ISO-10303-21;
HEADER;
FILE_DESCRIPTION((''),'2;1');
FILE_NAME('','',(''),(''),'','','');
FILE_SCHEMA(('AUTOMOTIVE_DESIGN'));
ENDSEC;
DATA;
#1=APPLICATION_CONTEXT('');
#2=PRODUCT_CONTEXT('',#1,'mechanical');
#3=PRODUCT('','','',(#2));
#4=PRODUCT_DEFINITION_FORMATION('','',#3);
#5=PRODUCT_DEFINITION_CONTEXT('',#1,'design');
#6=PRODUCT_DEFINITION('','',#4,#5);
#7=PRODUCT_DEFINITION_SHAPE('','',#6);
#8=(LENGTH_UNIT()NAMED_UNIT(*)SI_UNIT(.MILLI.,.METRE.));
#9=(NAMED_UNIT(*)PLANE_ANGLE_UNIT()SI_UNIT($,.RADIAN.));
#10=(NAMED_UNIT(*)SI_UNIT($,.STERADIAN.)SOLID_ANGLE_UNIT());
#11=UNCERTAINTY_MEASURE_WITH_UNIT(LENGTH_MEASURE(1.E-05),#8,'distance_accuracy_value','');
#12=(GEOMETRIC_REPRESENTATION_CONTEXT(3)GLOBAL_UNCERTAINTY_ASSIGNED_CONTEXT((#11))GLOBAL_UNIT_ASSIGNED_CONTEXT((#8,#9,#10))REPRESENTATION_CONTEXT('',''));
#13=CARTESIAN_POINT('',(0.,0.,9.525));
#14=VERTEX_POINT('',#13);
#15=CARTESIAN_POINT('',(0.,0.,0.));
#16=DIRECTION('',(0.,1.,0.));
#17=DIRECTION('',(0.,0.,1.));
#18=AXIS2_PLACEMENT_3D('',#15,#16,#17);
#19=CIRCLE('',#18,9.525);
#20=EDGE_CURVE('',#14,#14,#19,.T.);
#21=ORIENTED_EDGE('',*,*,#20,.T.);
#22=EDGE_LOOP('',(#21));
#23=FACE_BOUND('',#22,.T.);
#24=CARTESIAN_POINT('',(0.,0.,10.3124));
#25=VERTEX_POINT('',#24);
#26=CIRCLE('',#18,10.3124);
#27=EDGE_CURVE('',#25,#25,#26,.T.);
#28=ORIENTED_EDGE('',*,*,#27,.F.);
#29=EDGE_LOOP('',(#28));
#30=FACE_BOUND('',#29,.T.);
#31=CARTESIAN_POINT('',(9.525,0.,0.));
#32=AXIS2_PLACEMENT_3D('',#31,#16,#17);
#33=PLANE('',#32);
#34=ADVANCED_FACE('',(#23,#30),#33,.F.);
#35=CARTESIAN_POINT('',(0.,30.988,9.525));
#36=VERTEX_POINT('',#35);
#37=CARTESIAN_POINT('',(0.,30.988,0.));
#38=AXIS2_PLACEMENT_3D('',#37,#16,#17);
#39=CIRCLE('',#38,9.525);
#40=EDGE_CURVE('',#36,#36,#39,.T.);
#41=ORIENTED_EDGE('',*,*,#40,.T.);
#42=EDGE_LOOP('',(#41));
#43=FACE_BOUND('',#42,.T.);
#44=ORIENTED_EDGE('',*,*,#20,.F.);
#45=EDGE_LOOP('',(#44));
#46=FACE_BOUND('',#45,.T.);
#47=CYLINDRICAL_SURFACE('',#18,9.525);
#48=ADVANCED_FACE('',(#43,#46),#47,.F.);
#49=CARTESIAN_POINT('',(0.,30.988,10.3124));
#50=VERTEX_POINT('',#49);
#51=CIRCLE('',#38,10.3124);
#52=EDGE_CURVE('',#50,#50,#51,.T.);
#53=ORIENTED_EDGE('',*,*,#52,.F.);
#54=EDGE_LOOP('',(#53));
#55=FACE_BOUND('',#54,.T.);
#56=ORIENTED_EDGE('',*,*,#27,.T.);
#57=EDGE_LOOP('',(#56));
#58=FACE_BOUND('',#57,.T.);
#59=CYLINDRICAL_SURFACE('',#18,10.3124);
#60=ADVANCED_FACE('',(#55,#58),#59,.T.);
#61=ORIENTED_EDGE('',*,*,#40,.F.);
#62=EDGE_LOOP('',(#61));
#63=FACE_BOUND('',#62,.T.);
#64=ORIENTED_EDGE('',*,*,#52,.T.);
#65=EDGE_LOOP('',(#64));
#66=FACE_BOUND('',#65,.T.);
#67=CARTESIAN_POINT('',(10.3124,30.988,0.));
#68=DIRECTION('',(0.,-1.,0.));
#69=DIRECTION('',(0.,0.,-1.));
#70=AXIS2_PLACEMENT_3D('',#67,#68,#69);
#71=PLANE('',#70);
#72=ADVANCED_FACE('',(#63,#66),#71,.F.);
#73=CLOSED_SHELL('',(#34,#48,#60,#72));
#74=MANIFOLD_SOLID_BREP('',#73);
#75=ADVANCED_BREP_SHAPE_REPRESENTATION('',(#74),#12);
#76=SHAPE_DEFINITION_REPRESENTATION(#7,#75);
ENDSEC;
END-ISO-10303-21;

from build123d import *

# Parameters (mm, degrees)
SKETCH1_W = 0.7874
SKETCH1_H = 30.988


with BuildPart() as part:
    # Sketch1 → Revolve1 (revolve)
    with BuildSketch(Plane.XY):
        with Locations((9.9187, 15.494)):
            Rectangle(SKETCH1_W, SKETCH1_H)
    revolve(axis=Axis((0, 0, 0), (0, 1, 0)))


solid = part.part
